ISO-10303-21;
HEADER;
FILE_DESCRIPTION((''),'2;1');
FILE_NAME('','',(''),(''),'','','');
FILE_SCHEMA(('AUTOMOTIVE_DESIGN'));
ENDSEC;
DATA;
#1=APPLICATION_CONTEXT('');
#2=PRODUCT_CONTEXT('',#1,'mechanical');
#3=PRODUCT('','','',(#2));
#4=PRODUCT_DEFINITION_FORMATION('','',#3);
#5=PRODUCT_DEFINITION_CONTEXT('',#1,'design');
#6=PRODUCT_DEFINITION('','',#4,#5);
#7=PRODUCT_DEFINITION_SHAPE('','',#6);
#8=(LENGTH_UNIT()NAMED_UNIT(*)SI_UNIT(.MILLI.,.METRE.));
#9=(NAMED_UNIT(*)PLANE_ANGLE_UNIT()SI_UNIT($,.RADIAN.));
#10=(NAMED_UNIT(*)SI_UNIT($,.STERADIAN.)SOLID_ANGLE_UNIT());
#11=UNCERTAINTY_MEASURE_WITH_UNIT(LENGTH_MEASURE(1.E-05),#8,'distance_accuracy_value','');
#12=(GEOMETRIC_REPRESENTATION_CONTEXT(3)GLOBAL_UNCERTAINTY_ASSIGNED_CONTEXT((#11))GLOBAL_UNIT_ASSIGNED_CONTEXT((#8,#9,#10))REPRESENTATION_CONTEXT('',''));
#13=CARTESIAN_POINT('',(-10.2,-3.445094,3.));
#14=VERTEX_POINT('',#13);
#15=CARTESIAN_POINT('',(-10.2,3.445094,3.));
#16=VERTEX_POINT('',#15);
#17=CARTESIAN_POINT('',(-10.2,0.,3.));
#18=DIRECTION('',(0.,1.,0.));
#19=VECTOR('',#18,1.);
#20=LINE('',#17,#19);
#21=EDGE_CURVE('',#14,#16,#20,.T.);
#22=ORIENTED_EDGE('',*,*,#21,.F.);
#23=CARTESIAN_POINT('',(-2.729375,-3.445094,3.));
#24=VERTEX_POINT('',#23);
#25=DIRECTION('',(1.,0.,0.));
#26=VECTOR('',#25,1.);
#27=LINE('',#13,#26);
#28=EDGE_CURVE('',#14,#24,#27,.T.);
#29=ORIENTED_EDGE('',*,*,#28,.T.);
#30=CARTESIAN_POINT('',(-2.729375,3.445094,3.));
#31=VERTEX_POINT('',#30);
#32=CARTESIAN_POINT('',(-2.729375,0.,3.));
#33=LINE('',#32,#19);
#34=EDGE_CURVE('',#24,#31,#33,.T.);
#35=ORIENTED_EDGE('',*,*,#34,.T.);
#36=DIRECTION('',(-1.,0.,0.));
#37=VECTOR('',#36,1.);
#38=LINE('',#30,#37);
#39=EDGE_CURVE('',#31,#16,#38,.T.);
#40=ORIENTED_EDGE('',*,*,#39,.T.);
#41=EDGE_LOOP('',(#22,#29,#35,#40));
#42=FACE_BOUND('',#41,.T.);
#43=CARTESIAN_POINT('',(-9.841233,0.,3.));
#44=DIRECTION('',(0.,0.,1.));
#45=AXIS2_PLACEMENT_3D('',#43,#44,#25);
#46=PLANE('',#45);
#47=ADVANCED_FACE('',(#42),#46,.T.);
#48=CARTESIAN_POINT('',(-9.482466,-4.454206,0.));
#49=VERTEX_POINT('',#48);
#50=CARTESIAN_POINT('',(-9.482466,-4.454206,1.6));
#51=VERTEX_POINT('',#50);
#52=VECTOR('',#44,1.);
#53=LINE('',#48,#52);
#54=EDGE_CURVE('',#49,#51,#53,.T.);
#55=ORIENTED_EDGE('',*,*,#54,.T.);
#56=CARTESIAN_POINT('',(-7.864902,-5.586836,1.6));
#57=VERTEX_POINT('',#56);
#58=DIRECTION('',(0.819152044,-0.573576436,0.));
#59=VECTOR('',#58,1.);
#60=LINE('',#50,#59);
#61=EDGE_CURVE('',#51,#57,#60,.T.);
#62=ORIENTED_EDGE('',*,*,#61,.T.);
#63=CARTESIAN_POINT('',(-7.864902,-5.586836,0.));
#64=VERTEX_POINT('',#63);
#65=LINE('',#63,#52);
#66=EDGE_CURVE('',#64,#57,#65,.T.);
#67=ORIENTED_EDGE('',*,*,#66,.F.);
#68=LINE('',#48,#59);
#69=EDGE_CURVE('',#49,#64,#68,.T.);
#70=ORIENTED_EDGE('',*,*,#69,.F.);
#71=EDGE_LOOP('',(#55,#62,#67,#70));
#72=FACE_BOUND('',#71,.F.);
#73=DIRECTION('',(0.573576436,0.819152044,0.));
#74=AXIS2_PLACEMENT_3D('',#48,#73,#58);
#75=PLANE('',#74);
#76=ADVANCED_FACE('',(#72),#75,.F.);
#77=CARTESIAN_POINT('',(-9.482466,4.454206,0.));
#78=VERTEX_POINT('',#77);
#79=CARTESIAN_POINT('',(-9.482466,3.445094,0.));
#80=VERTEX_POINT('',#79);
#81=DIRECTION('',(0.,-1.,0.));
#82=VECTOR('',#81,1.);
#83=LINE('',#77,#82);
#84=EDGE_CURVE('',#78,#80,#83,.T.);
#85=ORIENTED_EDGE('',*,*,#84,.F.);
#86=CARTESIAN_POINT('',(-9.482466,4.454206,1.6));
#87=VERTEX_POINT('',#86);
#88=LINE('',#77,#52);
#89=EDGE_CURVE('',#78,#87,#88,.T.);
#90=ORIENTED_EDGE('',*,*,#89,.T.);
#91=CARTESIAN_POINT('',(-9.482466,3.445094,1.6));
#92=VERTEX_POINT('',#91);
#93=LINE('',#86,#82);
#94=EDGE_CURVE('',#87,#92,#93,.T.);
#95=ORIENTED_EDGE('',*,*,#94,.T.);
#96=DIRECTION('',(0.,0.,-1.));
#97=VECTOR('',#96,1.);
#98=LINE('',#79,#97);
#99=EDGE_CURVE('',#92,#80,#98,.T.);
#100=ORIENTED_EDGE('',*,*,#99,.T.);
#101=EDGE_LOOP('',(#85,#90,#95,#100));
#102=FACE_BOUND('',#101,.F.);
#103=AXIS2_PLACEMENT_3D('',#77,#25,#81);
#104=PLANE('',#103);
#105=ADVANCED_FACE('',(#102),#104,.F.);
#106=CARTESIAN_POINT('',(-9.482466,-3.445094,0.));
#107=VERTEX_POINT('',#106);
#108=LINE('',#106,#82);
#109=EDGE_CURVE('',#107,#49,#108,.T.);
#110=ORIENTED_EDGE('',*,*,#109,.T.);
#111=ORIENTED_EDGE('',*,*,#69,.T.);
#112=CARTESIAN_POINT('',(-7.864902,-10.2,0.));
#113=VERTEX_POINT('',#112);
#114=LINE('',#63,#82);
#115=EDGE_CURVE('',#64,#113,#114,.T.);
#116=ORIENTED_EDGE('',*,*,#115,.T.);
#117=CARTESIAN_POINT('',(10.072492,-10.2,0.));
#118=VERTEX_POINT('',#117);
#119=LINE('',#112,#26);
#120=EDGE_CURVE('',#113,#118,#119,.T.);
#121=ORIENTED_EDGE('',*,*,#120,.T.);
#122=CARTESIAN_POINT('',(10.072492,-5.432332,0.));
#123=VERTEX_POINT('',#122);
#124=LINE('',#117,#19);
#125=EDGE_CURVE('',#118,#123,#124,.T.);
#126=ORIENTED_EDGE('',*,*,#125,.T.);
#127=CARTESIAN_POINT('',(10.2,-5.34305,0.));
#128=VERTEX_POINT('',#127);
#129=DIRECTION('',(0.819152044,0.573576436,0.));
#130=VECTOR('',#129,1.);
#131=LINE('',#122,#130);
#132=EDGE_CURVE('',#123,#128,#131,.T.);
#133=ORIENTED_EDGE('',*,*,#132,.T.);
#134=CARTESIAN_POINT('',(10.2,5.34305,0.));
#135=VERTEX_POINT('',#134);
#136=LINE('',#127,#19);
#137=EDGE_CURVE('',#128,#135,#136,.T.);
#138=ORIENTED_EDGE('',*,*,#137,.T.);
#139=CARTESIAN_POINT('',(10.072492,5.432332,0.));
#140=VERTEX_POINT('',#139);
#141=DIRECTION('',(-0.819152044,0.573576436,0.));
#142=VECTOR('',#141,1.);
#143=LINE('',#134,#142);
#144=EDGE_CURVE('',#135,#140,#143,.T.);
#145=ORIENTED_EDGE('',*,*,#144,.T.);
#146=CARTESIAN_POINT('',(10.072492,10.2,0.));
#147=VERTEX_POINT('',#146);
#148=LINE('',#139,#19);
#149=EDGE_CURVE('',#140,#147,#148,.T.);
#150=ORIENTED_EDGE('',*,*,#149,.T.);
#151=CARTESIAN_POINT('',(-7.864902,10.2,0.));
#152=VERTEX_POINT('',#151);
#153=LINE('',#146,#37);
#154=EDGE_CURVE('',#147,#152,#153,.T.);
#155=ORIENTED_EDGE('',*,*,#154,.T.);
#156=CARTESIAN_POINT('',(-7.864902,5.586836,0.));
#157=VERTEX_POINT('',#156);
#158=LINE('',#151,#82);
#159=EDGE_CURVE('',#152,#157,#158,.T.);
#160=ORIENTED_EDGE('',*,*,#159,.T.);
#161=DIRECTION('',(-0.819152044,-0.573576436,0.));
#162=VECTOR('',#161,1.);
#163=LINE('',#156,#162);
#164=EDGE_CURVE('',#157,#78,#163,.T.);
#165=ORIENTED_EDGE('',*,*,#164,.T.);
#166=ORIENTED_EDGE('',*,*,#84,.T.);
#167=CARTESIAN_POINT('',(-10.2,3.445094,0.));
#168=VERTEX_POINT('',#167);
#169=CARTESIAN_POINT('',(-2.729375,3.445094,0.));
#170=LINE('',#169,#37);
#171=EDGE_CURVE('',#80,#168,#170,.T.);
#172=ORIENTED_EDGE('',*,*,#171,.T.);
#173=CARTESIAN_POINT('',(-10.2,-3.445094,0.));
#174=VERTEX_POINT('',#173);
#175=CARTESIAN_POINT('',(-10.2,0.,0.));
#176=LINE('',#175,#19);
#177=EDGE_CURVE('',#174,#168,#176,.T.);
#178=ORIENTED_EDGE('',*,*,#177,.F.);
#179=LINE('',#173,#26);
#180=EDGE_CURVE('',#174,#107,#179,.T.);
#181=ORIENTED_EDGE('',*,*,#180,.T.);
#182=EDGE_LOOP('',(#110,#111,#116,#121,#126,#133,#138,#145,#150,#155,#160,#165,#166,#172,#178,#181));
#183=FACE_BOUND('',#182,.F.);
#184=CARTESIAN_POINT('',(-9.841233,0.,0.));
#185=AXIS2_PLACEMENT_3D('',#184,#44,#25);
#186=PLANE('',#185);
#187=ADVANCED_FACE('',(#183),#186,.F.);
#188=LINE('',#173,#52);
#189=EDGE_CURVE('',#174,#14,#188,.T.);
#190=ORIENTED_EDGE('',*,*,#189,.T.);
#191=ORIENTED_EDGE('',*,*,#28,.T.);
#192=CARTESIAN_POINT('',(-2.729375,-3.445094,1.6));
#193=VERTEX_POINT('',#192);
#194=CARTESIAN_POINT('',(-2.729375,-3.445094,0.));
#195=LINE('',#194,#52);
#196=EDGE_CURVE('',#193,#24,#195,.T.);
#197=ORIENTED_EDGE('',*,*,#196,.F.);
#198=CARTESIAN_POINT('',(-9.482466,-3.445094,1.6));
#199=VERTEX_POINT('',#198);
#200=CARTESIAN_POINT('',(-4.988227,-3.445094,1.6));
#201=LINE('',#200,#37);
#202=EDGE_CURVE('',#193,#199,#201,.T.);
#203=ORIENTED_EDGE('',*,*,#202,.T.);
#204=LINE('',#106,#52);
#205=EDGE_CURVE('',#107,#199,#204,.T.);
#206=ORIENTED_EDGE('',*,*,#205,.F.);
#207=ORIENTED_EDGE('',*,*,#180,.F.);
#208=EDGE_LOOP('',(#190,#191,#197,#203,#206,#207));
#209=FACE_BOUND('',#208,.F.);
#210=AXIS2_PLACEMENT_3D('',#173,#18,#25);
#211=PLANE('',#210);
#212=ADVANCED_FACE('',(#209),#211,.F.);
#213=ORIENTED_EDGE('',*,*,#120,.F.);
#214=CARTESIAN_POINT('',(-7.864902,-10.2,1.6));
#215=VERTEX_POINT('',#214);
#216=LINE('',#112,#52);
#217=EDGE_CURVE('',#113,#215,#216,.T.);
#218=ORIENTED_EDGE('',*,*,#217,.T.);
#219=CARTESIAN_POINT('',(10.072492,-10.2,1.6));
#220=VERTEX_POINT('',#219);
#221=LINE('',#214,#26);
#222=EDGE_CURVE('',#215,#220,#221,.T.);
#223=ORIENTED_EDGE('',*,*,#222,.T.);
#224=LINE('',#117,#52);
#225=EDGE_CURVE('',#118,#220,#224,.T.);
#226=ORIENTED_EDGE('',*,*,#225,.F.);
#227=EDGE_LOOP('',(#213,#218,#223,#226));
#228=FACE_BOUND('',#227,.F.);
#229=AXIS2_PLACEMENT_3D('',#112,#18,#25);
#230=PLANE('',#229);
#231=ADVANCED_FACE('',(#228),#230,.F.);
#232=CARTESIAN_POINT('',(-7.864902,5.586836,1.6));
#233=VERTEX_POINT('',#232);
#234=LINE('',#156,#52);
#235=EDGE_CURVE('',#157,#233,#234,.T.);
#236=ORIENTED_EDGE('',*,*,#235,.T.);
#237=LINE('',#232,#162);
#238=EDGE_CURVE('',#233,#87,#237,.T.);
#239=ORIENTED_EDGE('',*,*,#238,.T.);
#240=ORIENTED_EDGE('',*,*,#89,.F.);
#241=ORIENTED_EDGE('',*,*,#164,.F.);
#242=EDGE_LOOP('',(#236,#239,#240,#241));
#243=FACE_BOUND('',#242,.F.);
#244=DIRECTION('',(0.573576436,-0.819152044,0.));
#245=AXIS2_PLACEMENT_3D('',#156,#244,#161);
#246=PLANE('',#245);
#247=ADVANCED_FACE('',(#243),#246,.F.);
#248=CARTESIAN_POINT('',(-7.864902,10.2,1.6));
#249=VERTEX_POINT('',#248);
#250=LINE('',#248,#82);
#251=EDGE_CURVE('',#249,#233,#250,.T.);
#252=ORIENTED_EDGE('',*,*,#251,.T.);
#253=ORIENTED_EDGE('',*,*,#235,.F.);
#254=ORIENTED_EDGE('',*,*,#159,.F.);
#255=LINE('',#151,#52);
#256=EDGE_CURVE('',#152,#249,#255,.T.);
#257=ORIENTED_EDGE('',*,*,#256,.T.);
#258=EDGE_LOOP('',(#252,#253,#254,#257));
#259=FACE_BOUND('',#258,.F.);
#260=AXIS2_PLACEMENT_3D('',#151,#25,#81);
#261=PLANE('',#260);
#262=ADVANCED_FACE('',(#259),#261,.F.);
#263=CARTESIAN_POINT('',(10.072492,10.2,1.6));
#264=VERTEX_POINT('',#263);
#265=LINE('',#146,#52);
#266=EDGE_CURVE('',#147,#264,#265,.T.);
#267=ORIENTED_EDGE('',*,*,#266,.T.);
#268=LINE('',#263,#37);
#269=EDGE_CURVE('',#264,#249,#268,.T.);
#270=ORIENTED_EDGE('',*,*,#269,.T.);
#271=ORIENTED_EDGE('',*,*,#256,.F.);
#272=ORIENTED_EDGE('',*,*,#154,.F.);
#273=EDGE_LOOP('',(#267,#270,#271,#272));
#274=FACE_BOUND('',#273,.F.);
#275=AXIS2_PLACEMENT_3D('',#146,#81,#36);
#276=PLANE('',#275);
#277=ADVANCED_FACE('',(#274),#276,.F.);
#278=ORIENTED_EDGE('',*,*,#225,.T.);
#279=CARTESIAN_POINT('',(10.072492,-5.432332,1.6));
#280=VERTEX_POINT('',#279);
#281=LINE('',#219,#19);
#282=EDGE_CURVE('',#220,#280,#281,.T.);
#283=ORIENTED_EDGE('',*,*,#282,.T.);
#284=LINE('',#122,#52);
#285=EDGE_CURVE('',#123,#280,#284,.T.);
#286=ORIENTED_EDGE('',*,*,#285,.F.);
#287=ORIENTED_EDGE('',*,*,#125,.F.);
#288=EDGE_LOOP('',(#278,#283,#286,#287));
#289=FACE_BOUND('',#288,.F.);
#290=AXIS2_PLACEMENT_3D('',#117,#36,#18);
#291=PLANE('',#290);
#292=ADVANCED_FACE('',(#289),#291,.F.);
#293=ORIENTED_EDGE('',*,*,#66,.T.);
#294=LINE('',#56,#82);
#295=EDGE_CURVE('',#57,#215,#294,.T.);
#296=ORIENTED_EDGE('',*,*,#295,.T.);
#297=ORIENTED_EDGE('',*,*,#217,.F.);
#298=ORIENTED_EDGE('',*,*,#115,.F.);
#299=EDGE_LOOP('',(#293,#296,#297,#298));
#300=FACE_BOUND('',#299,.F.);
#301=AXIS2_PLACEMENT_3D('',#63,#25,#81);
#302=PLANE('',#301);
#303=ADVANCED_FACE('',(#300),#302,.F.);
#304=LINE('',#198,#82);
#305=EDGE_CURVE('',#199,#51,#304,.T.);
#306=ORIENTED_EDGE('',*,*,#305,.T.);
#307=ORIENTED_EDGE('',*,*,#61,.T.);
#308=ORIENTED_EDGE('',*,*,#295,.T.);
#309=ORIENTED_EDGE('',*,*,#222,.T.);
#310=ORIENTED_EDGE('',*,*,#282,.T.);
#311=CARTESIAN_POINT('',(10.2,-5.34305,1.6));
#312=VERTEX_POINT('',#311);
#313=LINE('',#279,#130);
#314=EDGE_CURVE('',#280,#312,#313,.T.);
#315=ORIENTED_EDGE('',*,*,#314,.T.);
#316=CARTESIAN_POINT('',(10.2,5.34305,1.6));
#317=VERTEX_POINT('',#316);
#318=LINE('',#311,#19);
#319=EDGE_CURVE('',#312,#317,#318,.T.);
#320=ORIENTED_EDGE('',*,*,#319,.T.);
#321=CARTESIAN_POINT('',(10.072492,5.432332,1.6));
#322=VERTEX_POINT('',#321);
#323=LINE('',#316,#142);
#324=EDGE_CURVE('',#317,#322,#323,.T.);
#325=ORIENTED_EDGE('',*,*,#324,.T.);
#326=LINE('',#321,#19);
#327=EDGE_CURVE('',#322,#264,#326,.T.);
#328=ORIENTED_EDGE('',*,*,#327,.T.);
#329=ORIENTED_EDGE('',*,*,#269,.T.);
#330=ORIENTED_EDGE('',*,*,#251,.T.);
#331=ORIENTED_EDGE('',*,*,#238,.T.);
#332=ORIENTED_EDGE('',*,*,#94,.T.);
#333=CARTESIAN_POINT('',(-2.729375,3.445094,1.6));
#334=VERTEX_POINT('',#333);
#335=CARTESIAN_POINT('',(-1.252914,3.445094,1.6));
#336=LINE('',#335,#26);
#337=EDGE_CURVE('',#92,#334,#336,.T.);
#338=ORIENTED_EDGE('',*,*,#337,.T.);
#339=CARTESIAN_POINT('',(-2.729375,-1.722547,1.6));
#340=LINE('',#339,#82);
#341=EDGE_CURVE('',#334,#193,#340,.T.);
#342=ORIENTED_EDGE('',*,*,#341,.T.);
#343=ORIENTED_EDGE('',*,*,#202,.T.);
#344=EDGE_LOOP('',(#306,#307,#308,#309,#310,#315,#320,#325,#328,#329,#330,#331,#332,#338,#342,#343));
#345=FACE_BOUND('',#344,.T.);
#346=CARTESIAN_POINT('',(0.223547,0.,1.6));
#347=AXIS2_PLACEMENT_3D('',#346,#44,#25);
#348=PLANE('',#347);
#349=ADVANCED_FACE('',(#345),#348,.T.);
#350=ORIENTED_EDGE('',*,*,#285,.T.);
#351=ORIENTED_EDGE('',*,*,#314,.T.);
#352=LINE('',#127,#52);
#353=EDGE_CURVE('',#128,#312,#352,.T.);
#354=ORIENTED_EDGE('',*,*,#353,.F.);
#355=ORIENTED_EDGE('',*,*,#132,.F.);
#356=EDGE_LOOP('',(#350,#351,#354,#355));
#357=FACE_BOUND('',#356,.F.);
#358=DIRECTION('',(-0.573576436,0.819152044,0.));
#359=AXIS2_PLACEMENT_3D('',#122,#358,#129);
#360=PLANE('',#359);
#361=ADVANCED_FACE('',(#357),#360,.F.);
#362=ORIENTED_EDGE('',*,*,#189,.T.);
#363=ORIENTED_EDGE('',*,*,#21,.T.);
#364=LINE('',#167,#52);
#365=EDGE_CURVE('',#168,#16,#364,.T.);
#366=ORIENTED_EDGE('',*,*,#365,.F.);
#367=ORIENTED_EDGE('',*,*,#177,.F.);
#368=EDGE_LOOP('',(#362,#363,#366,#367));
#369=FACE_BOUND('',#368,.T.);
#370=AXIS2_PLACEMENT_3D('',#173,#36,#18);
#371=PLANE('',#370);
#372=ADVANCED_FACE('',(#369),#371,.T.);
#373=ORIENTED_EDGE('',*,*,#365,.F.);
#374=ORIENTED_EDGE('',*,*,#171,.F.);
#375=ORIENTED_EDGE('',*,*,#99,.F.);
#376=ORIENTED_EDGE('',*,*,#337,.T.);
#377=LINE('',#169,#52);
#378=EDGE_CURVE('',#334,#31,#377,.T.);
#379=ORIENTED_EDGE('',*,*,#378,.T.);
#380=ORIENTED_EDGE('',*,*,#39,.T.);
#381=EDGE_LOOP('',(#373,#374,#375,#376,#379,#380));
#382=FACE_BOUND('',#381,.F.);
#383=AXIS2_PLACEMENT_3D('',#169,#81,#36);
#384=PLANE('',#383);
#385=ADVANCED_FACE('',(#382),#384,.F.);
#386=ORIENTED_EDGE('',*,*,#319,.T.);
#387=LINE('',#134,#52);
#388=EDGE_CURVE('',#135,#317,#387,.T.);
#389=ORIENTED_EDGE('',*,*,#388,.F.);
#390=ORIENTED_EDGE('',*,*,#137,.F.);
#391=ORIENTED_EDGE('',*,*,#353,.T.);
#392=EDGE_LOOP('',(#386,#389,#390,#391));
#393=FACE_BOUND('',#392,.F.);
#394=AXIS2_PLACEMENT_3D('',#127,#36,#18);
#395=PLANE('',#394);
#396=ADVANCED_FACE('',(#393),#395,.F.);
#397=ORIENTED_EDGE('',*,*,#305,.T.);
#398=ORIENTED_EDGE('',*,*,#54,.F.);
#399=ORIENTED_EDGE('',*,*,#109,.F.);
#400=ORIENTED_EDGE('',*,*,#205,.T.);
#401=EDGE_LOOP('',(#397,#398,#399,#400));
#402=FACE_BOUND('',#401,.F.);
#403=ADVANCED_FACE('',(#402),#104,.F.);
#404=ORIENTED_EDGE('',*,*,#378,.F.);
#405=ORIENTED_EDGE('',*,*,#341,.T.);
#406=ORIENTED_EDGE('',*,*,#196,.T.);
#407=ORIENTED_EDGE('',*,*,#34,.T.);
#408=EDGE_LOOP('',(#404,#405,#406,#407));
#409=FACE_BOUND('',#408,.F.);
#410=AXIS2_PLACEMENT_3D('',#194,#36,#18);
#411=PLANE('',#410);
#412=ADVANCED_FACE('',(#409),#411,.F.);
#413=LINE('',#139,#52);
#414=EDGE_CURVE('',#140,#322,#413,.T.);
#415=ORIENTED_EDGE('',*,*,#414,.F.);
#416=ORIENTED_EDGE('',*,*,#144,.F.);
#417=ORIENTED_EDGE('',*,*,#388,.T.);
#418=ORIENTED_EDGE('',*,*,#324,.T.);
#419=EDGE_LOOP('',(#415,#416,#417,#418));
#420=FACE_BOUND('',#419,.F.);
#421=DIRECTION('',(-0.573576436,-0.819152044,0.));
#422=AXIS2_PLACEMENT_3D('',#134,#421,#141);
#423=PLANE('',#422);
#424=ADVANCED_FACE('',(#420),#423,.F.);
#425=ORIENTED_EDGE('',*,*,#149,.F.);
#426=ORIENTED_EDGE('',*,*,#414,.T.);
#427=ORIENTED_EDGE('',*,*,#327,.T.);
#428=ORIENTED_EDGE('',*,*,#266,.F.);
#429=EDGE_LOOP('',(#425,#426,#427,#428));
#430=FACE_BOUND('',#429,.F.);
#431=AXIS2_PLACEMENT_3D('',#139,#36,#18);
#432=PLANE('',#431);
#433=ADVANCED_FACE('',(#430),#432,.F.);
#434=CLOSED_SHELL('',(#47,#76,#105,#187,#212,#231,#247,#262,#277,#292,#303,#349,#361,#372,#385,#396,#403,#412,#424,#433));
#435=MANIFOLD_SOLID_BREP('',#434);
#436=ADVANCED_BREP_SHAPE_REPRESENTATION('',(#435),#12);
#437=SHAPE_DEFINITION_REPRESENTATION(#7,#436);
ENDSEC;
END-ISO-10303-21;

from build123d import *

# Parameters (mm, degrees)
F1_W     = 6.7530912347
F1_H     = 6.890188437
F2_DEPTH = 1.6
F1_W_2   = 0.7175340841
F3_DEPTH = 3


with BuildPart() as f2:
    # F1 (on Top) → F2 (new body)
    with BuildSketch(Plane.XY):
        Polygon((10.072492063, 5.4323319346), (10.072492063, 10.2), (-7.8649020275, 10.2), (-7.8649020275, 5.5868364871), (-9.4824659159, 4.4542060588), (-9.4824659159, 3.4450942185), (-2.7293746812, 3.4450942185), (-2.7293746812, -3.4450942185), (-9.4824659159, -3.4450942185), (-9.4824659159, -4.4542060588), (-7.8649020275, -5.5868364871), (-7.8649020275, -10.2), (10.072492063, -10.2), (10.072492063, -5.4323319346), (10.2, -5.3430499159), (10.2, 5.3430499159), align=None)
        with Locations((-6.1059202986, 0)):
            Rectangle(F1_W, F1_H)
    extrude(amount=F2_DEPTH)

    # F1 (on Top) → F3 (join)
    with BuildSketch(Plane.XY):
        with Locations((-9.841232958, 0)):
            Rectangle(F1_W_2, F1_H)
        with Locations((-6.1059202986, 0)):
            Rectangle(F1_W, F1_H)
    extrude(amount=F3_DEPTH)


solid = f2.part
